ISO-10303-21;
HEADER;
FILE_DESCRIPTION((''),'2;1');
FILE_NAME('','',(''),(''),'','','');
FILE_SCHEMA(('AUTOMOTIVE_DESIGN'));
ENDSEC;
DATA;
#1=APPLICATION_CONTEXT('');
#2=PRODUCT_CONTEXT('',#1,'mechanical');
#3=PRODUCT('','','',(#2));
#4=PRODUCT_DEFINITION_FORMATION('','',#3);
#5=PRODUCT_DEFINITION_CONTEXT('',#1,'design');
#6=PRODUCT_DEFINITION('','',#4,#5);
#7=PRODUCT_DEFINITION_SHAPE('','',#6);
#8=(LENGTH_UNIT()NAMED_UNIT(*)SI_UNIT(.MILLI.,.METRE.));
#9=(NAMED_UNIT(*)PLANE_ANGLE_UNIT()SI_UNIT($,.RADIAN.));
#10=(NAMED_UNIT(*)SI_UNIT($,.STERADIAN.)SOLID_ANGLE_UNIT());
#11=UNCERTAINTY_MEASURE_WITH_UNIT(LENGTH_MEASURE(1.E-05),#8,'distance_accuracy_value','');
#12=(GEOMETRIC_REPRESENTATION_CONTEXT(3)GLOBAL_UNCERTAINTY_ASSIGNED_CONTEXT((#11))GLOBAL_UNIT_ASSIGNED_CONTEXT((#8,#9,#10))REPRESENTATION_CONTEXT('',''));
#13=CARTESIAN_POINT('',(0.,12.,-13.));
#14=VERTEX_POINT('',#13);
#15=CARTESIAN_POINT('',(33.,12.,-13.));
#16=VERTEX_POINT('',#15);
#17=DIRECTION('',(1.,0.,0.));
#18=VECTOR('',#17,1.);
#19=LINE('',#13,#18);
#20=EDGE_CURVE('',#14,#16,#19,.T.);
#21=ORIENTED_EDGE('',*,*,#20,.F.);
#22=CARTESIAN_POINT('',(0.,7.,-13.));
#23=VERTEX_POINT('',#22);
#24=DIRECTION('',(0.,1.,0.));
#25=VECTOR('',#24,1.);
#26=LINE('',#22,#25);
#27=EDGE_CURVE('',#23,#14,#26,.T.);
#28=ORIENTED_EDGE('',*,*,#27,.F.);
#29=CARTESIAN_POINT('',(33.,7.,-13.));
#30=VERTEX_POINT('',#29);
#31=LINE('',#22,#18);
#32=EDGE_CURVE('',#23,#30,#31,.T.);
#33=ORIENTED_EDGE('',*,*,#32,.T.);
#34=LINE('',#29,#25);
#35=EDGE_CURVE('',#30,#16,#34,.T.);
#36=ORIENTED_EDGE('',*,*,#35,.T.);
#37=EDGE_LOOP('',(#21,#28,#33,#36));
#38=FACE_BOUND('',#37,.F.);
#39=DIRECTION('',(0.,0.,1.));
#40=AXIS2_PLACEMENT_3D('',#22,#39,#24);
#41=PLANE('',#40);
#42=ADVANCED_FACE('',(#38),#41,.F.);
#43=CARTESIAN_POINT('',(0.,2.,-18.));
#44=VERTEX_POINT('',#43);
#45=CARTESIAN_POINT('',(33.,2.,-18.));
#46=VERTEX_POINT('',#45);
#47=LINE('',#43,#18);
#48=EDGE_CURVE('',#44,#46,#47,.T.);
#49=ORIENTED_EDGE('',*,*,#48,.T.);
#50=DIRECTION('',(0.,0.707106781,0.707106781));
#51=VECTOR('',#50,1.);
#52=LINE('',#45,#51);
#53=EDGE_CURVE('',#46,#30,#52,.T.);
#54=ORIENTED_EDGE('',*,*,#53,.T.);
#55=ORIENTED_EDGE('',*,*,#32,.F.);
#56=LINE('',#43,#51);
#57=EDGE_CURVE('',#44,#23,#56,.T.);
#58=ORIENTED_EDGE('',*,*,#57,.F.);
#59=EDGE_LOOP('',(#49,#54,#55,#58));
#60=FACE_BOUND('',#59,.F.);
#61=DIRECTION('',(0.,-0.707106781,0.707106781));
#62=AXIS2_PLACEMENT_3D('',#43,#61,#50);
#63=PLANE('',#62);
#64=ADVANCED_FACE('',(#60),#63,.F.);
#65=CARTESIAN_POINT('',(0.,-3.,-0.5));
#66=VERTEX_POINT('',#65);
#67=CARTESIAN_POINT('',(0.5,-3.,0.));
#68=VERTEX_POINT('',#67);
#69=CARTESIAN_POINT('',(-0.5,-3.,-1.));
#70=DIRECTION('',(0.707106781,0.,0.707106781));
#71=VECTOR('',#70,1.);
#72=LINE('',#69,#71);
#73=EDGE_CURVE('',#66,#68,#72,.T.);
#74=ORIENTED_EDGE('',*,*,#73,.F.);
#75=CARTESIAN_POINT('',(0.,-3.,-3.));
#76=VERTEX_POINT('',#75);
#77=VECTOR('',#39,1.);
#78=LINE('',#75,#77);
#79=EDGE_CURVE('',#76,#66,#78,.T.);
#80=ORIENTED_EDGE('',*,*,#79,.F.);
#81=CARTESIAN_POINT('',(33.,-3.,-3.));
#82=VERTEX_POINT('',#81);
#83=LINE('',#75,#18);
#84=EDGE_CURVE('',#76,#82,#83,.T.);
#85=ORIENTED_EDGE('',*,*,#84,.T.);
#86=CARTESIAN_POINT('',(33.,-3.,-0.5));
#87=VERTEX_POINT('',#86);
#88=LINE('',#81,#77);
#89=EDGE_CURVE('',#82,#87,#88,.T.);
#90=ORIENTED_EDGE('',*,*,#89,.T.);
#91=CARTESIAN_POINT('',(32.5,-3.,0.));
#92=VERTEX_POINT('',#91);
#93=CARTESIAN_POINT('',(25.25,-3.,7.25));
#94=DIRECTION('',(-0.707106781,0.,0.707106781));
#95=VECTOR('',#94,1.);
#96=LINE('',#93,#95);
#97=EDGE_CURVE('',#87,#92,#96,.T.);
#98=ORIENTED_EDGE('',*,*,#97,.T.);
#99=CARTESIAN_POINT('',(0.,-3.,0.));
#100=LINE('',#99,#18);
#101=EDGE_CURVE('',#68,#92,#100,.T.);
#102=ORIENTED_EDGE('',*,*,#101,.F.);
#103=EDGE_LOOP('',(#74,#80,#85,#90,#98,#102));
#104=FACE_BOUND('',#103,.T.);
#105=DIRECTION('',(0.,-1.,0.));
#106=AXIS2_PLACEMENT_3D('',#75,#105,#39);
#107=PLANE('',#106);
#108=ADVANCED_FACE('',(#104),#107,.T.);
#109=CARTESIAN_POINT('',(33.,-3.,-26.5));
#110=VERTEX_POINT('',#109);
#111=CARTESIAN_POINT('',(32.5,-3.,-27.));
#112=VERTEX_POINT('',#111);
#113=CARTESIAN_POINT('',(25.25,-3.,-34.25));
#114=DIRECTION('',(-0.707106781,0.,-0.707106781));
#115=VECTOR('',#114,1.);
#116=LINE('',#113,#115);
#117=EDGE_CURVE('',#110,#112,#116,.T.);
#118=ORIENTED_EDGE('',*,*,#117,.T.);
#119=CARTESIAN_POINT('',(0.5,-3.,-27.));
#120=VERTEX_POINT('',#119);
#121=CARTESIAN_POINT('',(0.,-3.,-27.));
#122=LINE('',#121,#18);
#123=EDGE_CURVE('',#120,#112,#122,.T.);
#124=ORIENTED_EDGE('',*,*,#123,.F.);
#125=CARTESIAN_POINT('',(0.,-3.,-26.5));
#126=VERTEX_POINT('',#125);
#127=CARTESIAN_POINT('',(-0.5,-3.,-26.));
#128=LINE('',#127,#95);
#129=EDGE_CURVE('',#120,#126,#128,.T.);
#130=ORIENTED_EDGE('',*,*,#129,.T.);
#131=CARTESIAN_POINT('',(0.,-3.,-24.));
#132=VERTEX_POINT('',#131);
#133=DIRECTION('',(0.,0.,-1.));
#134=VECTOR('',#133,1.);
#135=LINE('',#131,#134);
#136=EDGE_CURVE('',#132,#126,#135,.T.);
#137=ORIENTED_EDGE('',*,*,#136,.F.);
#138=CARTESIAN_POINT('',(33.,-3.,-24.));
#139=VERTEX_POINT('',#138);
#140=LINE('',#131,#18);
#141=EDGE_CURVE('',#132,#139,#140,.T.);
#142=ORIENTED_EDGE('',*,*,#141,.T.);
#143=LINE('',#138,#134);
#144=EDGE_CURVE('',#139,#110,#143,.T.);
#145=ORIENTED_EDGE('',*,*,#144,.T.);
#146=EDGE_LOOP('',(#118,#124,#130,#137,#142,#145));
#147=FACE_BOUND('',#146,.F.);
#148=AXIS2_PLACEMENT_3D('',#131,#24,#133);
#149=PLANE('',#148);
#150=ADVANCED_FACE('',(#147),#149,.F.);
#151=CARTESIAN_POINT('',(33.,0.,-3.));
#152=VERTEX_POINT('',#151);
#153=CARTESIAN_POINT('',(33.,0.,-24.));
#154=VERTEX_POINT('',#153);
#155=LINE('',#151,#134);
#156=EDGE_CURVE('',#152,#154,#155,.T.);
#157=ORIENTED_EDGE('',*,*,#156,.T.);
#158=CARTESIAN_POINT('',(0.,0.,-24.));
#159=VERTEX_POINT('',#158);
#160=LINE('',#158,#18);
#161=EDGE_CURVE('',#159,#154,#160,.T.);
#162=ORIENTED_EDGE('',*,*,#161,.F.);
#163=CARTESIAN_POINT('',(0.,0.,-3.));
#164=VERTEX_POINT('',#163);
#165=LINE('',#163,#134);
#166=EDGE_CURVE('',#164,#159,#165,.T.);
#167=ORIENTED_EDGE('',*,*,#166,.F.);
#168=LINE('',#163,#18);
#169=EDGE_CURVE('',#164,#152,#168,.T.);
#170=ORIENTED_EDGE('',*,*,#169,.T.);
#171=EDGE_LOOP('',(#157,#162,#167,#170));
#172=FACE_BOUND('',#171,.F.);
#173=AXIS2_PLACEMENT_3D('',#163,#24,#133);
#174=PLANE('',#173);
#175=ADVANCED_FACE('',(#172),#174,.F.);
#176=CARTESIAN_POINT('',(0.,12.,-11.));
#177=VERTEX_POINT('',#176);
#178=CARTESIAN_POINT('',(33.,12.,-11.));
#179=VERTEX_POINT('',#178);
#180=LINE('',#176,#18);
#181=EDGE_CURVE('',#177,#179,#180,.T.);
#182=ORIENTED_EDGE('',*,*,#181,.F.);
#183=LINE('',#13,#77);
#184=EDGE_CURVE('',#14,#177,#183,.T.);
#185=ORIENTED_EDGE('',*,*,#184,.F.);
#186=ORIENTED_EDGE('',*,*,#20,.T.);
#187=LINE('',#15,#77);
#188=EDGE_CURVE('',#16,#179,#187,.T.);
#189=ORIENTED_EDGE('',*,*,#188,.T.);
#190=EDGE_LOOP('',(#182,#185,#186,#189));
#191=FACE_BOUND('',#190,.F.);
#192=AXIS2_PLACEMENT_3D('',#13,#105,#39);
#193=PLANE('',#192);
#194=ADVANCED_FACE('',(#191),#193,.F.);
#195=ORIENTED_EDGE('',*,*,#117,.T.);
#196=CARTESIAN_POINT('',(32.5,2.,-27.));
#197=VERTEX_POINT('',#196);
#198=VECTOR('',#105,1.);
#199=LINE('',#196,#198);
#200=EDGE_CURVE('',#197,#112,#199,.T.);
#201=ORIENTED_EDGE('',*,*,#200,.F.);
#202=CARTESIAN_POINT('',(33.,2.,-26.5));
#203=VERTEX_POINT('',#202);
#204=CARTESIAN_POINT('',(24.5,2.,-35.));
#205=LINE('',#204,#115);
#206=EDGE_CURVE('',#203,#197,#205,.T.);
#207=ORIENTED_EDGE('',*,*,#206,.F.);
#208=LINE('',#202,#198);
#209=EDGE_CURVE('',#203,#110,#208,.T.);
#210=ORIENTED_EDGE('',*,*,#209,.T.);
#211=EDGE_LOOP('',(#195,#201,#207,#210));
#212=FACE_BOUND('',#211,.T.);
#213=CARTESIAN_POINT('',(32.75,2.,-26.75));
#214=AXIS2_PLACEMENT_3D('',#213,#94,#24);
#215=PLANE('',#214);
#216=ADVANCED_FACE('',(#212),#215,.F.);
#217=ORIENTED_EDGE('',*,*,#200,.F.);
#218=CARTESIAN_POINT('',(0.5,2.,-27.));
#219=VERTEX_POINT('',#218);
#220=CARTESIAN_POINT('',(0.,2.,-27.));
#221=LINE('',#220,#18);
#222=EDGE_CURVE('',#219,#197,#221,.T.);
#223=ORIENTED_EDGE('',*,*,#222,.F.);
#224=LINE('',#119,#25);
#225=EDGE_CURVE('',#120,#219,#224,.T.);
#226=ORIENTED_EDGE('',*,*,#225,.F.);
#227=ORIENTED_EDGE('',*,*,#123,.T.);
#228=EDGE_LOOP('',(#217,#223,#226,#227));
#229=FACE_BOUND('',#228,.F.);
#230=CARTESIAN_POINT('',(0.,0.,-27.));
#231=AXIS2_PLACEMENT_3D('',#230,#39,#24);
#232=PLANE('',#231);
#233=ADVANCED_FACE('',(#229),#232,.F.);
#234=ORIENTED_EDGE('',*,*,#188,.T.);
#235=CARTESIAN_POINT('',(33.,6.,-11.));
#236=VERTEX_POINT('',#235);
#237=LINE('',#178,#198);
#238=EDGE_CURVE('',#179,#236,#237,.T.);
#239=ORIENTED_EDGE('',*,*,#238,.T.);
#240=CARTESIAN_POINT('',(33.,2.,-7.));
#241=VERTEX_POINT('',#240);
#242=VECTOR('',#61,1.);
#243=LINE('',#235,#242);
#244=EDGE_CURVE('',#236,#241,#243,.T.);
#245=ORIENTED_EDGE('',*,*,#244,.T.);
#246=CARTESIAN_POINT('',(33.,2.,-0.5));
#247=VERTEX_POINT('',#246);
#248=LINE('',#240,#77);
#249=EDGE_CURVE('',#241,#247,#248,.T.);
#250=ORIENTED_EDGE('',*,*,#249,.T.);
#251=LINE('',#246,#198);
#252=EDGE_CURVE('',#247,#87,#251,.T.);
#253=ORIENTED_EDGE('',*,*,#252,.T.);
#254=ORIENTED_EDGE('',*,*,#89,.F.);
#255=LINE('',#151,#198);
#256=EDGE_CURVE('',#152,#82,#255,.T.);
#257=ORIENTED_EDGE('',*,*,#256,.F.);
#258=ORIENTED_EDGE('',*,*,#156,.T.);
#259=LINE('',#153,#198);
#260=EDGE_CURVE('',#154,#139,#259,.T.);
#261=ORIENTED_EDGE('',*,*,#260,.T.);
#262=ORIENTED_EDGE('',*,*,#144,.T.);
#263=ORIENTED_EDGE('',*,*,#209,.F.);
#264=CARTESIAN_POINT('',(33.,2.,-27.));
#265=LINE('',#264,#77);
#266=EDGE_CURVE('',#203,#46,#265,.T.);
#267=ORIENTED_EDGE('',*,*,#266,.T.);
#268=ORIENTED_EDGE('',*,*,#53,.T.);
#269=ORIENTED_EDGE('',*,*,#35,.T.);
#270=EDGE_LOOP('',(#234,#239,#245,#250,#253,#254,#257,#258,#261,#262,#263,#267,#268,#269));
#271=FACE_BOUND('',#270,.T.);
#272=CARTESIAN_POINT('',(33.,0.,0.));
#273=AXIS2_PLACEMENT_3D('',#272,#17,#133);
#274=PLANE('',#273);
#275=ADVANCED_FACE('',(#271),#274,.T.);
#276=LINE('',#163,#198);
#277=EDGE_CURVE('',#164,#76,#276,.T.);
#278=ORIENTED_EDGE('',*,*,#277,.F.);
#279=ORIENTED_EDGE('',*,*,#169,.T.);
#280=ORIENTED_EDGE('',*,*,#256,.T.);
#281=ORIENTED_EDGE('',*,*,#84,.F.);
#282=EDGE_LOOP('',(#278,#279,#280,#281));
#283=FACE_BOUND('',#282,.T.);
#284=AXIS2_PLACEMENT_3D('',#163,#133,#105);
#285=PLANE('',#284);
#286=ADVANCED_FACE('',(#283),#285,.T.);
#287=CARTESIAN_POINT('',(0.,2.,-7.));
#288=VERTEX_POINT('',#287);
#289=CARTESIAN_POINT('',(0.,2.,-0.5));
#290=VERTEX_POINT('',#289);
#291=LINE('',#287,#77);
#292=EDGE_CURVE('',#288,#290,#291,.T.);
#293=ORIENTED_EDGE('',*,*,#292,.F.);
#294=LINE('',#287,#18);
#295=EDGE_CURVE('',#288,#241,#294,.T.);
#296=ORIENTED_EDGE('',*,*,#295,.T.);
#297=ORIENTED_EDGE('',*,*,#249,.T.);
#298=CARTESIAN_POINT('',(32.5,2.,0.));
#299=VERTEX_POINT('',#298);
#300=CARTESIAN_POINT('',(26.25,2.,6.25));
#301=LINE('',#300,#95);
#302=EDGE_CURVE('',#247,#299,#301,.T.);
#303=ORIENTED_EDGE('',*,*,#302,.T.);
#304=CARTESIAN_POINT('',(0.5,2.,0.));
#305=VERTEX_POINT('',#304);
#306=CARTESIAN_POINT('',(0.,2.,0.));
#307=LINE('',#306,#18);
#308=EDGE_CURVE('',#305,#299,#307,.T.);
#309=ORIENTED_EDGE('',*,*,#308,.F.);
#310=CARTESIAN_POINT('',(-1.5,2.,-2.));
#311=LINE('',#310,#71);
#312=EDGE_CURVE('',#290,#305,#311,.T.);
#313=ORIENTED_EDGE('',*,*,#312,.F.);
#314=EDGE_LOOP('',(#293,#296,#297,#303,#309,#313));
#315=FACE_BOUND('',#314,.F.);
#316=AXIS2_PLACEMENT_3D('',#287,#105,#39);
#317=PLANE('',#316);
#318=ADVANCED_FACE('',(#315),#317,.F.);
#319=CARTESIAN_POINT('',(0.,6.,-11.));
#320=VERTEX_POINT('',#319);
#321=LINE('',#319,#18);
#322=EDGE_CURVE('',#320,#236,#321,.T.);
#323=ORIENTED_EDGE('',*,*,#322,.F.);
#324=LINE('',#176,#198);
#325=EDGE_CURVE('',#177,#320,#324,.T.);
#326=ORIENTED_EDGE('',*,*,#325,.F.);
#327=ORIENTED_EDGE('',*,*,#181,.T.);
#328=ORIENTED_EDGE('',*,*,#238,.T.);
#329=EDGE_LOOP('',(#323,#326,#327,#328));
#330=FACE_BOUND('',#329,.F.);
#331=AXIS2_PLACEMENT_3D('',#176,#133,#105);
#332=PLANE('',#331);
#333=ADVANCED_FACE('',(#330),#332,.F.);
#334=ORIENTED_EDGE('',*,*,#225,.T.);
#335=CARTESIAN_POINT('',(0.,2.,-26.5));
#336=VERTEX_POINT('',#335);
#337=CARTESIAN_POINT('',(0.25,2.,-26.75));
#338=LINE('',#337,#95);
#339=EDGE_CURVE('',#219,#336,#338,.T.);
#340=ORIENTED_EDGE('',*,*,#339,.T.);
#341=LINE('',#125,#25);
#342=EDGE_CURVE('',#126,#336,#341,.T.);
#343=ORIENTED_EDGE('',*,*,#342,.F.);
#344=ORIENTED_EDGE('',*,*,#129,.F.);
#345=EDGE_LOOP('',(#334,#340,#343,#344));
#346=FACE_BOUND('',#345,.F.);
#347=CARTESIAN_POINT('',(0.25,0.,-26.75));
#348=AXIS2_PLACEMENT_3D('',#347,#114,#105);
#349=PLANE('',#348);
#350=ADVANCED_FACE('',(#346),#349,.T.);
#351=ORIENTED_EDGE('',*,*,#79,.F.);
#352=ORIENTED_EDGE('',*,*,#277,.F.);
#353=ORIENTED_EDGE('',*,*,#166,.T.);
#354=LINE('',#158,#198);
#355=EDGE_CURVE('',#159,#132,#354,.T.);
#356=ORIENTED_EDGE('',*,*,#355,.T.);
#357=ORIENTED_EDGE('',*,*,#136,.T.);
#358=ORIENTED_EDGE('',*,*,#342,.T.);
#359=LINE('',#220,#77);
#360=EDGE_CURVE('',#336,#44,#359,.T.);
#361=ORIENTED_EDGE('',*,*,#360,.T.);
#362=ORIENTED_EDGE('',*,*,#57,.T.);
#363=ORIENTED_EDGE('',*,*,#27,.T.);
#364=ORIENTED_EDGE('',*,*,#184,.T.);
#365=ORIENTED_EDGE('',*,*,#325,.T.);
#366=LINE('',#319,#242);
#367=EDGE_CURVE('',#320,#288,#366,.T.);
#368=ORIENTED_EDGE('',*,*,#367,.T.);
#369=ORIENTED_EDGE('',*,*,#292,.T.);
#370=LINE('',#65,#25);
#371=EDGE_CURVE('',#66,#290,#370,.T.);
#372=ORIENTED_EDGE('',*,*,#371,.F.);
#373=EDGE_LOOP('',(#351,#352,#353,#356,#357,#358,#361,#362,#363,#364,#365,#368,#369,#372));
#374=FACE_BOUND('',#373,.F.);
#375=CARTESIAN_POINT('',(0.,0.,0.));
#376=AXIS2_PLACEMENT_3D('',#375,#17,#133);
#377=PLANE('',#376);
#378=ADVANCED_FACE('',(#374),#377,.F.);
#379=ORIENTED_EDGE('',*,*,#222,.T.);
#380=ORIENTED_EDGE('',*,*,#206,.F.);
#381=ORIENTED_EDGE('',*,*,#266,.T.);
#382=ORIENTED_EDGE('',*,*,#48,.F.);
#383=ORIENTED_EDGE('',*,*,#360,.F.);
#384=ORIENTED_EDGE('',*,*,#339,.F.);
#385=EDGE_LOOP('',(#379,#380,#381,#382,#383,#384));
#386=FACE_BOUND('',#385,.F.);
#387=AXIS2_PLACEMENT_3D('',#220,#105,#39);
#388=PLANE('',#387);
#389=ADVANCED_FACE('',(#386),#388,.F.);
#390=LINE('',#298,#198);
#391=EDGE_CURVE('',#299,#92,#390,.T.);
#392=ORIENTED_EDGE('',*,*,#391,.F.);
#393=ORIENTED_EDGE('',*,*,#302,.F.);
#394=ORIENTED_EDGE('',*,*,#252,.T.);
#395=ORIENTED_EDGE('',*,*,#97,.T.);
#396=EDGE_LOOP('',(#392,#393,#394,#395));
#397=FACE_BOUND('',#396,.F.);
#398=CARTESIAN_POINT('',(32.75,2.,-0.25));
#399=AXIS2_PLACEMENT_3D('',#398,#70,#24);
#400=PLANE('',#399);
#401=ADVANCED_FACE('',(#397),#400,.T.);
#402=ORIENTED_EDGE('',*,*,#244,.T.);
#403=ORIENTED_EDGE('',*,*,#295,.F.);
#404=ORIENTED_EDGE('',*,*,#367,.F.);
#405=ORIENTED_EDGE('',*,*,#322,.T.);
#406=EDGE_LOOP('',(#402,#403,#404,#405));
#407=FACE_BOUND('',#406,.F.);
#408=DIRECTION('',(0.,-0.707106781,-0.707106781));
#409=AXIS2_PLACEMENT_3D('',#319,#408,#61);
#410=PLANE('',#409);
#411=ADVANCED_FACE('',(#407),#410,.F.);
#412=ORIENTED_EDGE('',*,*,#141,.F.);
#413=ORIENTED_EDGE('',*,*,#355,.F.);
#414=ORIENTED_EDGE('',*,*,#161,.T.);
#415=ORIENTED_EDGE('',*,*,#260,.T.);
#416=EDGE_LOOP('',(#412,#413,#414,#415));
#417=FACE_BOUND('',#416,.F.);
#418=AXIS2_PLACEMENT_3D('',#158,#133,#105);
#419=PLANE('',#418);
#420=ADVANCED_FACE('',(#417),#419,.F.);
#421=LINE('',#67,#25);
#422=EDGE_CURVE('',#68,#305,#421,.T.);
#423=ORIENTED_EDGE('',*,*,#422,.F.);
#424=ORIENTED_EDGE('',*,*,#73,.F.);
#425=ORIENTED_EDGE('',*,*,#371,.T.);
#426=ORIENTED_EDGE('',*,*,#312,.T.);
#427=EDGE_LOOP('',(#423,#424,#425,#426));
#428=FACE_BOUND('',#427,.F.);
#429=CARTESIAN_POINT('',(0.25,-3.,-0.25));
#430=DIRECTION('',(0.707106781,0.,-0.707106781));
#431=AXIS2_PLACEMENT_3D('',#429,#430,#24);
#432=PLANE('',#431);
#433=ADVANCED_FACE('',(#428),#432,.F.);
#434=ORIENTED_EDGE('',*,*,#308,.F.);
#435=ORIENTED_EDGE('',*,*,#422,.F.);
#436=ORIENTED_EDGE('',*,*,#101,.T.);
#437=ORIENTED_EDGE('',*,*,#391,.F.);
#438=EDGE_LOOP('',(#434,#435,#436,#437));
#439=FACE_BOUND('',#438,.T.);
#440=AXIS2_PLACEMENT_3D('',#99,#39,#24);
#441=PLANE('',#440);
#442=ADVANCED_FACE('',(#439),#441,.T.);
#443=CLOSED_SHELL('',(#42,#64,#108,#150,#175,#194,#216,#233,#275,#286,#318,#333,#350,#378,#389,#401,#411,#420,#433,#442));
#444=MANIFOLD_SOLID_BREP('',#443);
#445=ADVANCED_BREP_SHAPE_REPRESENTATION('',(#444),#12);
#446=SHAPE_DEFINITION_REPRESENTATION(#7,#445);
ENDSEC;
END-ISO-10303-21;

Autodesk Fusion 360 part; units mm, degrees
sketch "スケッチ1" plane through (0, 0, 0) normal (1, 0, 0) x (0, 0, -1)
  line L0 (0, 2) -> (0, 0)
  line L1 (3, 0) -> (24, 0)
  line L2 (27, 0) -> (27, 2)
  line L3 (27, 2) -> (18, 2)
  line L4 (18, 2) -> (13, 7)
  line L5 (13, 7) -> (13, 12)
  line L6 (13, 12) -> (11, 12)
  line L7 (11, 12) -> (11, 6)
  line L8 (7, 2) -> (0, 2)
  line L9 (11, 6) -> (7, 2)
  line L10 (3, 0) -> (3, -3)
  line L11 (3, -3) -> (0, -3)
  line L12 (0, -3) -> (0, 0)
  line L13 (24, 0) -> (24, -3)
  line L14 (24, -3) -> (27, -3)
  line L15 (27, -3) -> (27, 0)
  point P0 (11, 2)
  dimension "d1" = 4
  dimension "d2" = 4
  dimension "d15" = 27
  dimension "d16" = 3
  dimension "d17" = 3
  dimension "d18" = 3
  dimension "d19" = 3
extrude "押し出し1" add sketch "スケッチ1" along normal blind 33
chamfer "面取り1" distance 0.5 angle 45 1 edges at (0, -0.5, -27)
chamfer "面取り2" distance 0.5 angle 45 1 edges at (0, -0.5, 0)
chamfer "面取り3" distance 0.5 angle 45 1 edges at (33, -0.5, -27)
chamfer "面取り4" distance 0.5 angle 45 1 edges at (33, -0.5, 0)
